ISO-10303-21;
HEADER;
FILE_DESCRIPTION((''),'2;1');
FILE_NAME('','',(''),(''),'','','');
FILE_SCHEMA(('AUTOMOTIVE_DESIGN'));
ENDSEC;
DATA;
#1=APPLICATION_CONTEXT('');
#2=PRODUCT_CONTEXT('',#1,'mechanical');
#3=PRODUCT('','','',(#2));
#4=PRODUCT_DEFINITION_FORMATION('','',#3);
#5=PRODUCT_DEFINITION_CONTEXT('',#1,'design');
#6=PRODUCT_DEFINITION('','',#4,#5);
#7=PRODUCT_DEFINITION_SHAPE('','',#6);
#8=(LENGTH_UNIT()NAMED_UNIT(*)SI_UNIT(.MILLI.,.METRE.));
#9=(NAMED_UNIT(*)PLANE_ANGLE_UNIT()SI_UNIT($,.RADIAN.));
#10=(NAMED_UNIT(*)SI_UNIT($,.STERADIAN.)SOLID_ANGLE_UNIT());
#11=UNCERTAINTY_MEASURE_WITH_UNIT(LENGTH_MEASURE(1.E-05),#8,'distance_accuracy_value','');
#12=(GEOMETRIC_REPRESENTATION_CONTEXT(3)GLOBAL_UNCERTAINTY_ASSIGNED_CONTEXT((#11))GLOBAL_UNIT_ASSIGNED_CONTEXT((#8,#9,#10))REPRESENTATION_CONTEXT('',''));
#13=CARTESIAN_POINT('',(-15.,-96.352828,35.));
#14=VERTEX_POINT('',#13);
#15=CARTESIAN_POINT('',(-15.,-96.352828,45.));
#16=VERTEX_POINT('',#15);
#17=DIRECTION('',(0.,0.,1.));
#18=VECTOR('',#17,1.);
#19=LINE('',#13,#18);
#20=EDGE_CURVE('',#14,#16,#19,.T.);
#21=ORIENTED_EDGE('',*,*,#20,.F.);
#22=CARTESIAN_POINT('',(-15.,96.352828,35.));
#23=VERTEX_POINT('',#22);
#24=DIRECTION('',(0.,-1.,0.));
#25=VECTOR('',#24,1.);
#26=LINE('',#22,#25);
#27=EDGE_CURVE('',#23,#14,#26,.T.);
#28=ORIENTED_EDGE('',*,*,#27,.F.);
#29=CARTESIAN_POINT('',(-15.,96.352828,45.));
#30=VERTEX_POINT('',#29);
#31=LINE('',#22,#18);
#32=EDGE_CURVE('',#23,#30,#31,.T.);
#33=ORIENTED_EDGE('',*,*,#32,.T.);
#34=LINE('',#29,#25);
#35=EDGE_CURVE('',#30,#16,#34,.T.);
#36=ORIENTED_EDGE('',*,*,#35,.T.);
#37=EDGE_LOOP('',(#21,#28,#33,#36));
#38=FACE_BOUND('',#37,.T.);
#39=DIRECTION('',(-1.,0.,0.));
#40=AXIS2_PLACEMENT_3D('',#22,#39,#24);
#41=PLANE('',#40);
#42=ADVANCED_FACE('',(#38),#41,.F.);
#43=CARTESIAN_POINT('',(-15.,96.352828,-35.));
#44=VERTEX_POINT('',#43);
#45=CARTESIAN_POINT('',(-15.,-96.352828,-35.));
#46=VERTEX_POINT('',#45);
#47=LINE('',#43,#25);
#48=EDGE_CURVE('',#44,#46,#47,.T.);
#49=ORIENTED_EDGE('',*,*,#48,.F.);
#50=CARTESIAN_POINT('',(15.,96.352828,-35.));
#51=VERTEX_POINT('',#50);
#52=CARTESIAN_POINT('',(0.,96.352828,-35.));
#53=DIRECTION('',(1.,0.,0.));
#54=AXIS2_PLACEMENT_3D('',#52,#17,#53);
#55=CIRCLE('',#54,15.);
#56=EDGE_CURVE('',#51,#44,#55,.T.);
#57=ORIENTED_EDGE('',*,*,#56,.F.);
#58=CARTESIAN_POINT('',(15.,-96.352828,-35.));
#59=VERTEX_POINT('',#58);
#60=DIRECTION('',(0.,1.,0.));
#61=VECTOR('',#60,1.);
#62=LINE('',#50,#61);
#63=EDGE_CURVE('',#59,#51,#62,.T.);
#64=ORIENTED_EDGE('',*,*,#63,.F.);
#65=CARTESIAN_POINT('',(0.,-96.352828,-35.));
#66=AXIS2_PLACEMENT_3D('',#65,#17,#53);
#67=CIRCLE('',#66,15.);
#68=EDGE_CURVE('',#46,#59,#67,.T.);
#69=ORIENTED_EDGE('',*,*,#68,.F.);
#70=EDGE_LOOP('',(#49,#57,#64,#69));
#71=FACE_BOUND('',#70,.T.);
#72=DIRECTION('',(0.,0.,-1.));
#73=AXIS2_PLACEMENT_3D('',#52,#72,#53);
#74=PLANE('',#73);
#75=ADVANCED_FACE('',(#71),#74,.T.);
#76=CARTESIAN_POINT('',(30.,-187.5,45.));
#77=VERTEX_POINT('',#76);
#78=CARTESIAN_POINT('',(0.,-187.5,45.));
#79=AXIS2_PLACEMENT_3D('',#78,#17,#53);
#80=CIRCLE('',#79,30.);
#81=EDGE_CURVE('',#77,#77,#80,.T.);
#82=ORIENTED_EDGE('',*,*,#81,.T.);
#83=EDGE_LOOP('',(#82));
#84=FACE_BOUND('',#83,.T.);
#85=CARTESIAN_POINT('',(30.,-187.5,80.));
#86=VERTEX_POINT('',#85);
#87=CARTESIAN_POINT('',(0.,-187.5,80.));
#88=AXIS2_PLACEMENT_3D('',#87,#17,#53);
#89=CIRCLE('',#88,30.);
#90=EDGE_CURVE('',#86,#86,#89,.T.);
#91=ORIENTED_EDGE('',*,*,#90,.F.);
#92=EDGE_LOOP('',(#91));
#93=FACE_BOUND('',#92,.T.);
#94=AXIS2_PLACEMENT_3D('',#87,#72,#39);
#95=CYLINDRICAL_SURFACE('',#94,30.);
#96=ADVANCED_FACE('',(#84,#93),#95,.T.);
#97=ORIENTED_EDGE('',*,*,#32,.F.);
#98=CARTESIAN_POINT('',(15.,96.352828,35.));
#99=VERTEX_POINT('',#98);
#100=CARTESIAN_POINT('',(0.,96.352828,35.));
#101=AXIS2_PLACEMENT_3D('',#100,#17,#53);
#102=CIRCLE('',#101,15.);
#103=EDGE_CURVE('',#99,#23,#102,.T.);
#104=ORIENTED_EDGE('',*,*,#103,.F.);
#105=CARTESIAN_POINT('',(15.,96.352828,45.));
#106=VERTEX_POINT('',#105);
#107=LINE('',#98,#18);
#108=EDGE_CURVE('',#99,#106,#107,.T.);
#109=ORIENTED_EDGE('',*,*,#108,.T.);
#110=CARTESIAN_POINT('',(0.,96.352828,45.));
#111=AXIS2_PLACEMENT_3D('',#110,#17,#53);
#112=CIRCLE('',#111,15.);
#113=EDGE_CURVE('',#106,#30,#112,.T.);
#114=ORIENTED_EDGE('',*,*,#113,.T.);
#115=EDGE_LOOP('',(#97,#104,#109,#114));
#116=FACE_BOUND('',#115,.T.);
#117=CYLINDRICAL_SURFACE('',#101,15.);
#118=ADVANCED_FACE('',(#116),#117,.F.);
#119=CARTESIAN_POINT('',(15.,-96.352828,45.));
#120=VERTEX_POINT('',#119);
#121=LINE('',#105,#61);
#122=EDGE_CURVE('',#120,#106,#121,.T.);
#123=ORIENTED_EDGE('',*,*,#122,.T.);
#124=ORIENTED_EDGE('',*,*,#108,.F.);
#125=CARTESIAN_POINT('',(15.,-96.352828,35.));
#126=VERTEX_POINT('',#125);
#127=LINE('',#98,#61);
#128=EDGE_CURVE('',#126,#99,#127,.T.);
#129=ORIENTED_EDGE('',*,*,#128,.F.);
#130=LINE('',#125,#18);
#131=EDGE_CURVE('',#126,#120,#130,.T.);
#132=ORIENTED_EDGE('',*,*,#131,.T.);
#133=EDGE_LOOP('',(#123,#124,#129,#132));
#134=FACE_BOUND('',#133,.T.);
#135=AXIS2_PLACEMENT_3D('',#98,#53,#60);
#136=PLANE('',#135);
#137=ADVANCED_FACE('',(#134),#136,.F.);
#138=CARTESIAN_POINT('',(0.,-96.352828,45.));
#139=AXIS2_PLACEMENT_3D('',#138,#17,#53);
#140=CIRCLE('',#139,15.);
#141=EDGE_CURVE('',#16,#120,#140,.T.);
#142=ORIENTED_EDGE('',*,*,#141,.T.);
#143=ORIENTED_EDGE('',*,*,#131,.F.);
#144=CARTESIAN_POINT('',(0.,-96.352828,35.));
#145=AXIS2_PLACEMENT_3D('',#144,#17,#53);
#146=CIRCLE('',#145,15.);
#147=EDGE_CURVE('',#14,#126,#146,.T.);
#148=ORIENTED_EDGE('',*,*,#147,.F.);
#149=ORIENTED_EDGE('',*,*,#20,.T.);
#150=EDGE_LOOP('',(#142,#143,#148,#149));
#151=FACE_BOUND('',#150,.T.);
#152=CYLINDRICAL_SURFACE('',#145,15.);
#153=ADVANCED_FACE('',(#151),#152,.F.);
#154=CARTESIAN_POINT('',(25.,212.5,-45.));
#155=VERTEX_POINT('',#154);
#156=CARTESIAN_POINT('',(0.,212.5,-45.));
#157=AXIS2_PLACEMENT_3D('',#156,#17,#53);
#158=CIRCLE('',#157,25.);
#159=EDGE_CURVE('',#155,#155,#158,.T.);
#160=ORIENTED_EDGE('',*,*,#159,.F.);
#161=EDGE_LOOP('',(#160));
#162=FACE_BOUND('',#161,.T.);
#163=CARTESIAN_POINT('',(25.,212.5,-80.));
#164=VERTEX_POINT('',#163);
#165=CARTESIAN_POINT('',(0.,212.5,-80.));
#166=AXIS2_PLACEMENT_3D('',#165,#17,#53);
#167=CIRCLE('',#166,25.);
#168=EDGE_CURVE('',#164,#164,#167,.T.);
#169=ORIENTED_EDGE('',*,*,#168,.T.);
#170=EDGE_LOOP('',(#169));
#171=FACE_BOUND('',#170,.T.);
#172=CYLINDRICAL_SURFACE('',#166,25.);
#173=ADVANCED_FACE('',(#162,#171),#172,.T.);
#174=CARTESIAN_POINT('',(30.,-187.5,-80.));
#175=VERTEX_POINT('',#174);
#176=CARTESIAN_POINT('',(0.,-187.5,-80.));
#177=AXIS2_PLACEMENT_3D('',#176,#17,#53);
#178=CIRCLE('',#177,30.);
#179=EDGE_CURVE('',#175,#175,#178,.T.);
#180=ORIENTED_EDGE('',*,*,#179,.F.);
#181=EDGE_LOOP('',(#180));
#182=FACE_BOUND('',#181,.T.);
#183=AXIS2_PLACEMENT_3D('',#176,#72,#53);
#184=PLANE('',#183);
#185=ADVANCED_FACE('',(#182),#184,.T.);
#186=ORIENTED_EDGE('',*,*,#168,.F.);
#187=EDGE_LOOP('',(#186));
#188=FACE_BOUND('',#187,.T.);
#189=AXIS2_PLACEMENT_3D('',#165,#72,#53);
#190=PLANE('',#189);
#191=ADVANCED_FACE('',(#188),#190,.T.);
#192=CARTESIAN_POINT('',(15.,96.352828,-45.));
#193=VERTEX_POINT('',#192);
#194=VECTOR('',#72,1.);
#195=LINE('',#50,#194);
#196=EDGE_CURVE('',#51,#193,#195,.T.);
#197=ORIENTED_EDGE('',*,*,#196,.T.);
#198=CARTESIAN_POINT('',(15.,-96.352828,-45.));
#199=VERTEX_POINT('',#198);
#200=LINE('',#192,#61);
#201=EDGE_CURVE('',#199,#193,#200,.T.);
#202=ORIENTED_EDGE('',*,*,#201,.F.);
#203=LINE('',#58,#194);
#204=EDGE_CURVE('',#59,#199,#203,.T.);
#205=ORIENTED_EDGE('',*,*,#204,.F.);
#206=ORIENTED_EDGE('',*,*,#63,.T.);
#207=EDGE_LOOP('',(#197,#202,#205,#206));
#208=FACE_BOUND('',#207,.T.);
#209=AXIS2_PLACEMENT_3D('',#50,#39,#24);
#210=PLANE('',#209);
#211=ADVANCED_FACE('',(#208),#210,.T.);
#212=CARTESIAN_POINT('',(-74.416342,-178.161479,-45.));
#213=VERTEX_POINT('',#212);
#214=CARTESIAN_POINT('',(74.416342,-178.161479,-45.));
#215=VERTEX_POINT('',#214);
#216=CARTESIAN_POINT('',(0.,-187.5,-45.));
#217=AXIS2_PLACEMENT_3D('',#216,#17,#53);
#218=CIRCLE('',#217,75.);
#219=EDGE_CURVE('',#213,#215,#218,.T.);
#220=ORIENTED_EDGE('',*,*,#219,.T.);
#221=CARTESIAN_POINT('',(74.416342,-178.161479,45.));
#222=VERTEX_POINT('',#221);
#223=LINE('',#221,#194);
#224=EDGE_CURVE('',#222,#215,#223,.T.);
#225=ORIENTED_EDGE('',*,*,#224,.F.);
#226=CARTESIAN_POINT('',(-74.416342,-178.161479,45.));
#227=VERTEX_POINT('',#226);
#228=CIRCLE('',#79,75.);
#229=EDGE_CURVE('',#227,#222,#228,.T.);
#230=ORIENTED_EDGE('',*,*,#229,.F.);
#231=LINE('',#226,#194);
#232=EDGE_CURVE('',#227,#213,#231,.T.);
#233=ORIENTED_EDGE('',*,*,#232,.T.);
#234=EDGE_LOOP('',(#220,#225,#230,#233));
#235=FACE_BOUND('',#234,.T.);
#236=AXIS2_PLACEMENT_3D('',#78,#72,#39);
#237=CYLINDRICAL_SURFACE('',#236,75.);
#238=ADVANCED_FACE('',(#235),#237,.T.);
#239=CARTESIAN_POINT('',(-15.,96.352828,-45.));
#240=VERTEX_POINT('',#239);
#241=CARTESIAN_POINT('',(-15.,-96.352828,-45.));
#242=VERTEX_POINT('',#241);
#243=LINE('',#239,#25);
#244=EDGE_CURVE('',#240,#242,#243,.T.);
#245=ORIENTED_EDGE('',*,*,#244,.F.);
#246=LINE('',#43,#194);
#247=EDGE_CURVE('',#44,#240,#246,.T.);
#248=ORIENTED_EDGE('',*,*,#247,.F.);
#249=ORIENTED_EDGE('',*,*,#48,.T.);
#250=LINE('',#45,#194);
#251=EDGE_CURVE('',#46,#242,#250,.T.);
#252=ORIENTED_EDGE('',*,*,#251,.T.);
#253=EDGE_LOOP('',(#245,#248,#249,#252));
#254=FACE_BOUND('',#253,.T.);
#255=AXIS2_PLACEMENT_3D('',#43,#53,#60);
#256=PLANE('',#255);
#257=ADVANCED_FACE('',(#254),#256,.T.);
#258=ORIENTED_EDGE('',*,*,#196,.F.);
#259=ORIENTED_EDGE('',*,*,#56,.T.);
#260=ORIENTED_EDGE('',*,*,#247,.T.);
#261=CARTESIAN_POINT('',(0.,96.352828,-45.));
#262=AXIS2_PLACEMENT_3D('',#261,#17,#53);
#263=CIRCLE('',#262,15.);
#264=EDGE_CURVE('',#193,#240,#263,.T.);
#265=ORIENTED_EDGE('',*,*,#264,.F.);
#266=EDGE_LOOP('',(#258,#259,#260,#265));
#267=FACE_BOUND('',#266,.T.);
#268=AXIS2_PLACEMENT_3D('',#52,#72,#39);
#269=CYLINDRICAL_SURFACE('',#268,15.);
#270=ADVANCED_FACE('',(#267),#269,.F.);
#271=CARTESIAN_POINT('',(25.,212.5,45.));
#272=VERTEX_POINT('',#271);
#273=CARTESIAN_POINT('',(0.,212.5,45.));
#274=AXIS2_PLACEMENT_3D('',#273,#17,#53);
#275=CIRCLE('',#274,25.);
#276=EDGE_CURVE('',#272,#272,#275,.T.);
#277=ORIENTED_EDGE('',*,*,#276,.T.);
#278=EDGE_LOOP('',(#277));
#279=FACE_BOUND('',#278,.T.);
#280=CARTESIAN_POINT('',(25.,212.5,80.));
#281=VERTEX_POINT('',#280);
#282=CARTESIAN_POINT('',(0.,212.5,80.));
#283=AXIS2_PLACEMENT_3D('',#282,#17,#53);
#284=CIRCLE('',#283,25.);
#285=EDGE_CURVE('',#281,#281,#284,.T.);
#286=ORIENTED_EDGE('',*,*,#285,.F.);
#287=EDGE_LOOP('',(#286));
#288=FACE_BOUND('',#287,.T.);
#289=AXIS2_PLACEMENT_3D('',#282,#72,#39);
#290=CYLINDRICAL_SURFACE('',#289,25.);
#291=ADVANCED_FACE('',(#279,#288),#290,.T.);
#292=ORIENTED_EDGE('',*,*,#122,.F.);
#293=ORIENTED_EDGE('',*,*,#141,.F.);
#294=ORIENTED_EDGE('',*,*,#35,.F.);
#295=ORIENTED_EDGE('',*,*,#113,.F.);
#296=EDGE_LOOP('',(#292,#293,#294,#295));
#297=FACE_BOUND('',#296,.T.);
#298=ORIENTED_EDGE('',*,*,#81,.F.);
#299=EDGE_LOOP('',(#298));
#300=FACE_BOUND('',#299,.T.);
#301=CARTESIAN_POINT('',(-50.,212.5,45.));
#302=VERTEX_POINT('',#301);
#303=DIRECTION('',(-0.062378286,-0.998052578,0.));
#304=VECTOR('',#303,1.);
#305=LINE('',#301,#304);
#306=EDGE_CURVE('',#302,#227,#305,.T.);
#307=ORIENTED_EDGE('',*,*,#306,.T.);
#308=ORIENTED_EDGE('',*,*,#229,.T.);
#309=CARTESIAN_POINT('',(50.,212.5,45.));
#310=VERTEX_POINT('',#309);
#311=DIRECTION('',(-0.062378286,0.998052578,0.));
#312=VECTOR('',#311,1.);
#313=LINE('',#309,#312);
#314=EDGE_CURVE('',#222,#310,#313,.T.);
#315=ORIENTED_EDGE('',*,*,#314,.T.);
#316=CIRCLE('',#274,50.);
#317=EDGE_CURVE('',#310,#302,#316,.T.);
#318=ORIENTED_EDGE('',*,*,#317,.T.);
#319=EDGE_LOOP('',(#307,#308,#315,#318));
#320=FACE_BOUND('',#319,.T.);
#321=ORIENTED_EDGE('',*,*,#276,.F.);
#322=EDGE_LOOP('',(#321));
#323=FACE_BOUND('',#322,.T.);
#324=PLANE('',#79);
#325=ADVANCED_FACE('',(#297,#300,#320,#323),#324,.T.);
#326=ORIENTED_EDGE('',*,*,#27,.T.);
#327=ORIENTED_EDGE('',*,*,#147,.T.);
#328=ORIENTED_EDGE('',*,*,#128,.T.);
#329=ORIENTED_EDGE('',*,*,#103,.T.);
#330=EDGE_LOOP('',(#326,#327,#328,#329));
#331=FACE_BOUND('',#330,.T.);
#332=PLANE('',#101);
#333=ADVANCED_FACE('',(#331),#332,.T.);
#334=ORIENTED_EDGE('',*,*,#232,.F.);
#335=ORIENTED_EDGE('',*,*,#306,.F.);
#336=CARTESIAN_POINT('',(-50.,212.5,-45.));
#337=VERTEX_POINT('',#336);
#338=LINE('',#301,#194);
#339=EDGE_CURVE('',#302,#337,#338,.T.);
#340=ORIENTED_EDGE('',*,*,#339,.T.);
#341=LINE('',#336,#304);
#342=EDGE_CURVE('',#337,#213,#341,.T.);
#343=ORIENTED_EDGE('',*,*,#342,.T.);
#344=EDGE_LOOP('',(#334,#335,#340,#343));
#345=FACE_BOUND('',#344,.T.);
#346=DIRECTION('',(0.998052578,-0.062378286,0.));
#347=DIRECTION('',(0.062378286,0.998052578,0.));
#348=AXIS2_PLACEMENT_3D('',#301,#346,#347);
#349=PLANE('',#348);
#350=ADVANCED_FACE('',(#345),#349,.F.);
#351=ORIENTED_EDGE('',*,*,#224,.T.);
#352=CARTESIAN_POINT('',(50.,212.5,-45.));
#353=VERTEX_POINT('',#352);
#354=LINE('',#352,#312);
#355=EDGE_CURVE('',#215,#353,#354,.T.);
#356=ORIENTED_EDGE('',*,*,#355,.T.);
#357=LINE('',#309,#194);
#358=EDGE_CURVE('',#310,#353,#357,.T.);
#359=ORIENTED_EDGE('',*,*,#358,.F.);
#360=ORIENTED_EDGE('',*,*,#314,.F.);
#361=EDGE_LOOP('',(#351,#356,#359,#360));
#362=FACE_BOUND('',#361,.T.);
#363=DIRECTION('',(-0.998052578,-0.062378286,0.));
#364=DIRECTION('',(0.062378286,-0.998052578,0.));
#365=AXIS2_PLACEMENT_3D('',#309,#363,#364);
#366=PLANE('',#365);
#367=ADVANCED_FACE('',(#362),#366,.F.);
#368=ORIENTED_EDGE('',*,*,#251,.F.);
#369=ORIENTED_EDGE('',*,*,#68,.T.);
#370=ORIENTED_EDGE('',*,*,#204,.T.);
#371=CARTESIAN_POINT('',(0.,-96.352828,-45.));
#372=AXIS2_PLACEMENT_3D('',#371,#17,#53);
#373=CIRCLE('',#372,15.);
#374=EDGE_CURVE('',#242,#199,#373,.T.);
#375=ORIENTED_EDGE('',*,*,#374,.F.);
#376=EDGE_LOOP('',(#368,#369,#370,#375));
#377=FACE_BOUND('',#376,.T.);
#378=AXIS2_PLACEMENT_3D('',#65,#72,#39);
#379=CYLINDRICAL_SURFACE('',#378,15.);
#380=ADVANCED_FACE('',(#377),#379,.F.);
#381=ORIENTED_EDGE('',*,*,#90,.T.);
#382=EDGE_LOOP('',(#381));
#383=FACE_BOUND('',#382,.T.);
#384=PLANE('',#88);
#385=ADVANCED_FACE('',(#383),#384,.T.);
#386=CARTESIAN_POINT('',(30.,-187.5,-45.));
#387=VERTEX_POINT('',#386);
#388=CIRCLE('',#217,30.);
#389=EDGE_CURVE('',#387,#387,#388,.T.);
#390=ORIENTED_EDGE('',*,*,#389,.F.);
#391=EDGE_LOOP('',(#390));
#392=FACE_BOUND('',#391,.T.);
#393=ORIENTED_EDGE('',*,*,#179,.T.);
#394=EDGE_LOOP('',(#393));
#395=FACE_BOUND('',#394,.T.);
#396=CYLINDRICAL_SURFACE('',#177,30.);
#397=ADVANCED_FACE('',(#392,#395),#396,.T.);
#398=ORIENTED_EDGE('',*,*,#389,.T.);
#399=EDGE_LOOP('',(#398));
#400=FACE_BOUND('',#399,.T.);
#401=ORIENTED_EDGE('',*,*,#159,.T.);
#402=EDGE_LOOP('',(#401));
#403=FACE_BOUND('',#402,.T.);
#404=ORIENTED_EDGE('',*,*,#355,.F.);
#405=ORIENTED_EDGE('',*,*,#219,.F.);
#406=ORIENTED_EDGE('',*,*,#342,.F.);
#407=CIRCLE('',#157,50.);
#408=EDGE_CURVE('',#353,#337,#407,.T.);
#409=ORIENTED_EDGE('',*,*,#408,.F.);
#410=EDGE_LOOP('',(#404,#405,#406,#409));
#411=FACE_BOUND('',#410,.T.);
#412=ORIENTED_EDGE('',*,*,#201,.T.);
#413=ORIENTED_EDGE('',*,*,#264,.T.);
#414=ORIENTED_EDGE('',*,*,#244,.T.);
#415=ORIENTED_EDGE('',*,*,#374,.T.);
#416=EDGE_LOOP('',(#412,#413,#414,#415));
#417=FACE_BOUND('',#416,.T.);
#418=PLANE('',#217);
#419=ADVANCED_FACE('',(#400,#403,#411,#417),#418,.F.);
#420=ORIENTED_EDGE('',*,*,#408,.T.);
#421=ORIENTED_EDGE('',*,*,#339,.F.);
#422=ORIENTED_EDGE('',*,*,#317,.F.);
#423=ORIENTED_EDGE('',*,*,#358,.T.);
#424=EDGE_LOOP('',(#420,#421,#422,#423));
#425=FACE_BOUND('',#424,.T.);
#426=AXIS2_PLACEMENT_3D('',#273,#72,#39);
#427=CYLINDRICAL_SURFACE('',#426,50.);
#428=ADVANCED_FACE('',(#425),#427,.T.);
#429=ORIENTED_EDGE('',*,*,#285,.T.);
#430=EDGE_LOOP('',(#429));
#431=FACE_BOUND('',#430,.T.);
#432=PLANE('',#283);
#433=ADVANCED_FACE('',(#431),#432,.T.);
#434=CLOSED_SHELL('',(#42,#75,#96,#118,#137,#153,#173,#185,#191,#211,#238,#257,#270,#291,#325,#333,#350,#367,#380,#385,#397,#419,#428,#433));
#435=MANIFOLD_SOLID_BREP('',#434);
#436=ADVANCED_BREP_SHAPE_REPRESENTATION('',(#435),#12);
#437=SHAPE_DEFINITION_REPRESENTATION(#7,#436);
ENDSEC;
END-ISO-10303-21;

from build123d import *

# Parameters (mm, degrees)
BOSS_EXTRUDE1_DEPTH = 45
SKETCH2_R           = 25
SKETCH2_R_2         = 30
BOSS_EXTRUDE2_DEPTH = 35
CUT_EXTRUDE1_DEPTH  = 10


with BuildPart() as part:
    # Sketch1 → Boss-Extrude1 (new, symmetric)
    with BuildSketch(Plane.XY):
        with BuildLine():
            Line((-50, 212.5), (-74.416342412, -178.161478599))
            ThreePointArc((-74.416342412, -178.161478599), (0, -262.5), (74.416342412, -178.161478599))
            Line((74.416342412, -178.161478599), (50, 212.5))
            ThreePointArc((50, 212.5), (0, 262.5), (-50, 212.5))
        make_face()
    extrude(amount=BOSS_EXTRUDE1_DEPTH, both=True)

    # Sketch2 → Boss-Extrude2 (add)
    with BuildSketch(Plane.XY.offset(45)):
        with Locations((0, 212.5)):
            Circle(SKETCH2_R)
        with Locations((0, -187.5)):
            Circle(SKETCH2_R_2)
    boss_extrude2 = extrude(amount=BOSS_EXTRUDE2_DEPTH)

    # Mirror1: Boss-Extrude2 across plane
    add(boss_extrude2.mirror(Plane.XY))

    # Sketch3 → Cut-Extrude1 (cut)
    with BuildSketch(Plane.XY.offset(45)):
        with BuildLine():
            Line((15, 96.352828314), (15, -96.352828314))
            ThreePointArc((15, -96.352828314), (0, -111.352828314), (-15, -96.352828314))
            Line((-15, -96.352828314), (-15, 96.352828314))
            ThreePointArc((-15, 96.352828314), (0, 111.352828314), (15, 96.352828314))
        make_face()
    cut_extrude1 = extrude(amount=-CUT_EXTRUDE1_DEPTH, mode=Mode.SUBTRACT)

    # Mirror2: Cut-Extrude1 across plane
    add(cut_extrude1.mirror(Plane.XY), mode=Mode.SUBTRACT)


solid = part.part
